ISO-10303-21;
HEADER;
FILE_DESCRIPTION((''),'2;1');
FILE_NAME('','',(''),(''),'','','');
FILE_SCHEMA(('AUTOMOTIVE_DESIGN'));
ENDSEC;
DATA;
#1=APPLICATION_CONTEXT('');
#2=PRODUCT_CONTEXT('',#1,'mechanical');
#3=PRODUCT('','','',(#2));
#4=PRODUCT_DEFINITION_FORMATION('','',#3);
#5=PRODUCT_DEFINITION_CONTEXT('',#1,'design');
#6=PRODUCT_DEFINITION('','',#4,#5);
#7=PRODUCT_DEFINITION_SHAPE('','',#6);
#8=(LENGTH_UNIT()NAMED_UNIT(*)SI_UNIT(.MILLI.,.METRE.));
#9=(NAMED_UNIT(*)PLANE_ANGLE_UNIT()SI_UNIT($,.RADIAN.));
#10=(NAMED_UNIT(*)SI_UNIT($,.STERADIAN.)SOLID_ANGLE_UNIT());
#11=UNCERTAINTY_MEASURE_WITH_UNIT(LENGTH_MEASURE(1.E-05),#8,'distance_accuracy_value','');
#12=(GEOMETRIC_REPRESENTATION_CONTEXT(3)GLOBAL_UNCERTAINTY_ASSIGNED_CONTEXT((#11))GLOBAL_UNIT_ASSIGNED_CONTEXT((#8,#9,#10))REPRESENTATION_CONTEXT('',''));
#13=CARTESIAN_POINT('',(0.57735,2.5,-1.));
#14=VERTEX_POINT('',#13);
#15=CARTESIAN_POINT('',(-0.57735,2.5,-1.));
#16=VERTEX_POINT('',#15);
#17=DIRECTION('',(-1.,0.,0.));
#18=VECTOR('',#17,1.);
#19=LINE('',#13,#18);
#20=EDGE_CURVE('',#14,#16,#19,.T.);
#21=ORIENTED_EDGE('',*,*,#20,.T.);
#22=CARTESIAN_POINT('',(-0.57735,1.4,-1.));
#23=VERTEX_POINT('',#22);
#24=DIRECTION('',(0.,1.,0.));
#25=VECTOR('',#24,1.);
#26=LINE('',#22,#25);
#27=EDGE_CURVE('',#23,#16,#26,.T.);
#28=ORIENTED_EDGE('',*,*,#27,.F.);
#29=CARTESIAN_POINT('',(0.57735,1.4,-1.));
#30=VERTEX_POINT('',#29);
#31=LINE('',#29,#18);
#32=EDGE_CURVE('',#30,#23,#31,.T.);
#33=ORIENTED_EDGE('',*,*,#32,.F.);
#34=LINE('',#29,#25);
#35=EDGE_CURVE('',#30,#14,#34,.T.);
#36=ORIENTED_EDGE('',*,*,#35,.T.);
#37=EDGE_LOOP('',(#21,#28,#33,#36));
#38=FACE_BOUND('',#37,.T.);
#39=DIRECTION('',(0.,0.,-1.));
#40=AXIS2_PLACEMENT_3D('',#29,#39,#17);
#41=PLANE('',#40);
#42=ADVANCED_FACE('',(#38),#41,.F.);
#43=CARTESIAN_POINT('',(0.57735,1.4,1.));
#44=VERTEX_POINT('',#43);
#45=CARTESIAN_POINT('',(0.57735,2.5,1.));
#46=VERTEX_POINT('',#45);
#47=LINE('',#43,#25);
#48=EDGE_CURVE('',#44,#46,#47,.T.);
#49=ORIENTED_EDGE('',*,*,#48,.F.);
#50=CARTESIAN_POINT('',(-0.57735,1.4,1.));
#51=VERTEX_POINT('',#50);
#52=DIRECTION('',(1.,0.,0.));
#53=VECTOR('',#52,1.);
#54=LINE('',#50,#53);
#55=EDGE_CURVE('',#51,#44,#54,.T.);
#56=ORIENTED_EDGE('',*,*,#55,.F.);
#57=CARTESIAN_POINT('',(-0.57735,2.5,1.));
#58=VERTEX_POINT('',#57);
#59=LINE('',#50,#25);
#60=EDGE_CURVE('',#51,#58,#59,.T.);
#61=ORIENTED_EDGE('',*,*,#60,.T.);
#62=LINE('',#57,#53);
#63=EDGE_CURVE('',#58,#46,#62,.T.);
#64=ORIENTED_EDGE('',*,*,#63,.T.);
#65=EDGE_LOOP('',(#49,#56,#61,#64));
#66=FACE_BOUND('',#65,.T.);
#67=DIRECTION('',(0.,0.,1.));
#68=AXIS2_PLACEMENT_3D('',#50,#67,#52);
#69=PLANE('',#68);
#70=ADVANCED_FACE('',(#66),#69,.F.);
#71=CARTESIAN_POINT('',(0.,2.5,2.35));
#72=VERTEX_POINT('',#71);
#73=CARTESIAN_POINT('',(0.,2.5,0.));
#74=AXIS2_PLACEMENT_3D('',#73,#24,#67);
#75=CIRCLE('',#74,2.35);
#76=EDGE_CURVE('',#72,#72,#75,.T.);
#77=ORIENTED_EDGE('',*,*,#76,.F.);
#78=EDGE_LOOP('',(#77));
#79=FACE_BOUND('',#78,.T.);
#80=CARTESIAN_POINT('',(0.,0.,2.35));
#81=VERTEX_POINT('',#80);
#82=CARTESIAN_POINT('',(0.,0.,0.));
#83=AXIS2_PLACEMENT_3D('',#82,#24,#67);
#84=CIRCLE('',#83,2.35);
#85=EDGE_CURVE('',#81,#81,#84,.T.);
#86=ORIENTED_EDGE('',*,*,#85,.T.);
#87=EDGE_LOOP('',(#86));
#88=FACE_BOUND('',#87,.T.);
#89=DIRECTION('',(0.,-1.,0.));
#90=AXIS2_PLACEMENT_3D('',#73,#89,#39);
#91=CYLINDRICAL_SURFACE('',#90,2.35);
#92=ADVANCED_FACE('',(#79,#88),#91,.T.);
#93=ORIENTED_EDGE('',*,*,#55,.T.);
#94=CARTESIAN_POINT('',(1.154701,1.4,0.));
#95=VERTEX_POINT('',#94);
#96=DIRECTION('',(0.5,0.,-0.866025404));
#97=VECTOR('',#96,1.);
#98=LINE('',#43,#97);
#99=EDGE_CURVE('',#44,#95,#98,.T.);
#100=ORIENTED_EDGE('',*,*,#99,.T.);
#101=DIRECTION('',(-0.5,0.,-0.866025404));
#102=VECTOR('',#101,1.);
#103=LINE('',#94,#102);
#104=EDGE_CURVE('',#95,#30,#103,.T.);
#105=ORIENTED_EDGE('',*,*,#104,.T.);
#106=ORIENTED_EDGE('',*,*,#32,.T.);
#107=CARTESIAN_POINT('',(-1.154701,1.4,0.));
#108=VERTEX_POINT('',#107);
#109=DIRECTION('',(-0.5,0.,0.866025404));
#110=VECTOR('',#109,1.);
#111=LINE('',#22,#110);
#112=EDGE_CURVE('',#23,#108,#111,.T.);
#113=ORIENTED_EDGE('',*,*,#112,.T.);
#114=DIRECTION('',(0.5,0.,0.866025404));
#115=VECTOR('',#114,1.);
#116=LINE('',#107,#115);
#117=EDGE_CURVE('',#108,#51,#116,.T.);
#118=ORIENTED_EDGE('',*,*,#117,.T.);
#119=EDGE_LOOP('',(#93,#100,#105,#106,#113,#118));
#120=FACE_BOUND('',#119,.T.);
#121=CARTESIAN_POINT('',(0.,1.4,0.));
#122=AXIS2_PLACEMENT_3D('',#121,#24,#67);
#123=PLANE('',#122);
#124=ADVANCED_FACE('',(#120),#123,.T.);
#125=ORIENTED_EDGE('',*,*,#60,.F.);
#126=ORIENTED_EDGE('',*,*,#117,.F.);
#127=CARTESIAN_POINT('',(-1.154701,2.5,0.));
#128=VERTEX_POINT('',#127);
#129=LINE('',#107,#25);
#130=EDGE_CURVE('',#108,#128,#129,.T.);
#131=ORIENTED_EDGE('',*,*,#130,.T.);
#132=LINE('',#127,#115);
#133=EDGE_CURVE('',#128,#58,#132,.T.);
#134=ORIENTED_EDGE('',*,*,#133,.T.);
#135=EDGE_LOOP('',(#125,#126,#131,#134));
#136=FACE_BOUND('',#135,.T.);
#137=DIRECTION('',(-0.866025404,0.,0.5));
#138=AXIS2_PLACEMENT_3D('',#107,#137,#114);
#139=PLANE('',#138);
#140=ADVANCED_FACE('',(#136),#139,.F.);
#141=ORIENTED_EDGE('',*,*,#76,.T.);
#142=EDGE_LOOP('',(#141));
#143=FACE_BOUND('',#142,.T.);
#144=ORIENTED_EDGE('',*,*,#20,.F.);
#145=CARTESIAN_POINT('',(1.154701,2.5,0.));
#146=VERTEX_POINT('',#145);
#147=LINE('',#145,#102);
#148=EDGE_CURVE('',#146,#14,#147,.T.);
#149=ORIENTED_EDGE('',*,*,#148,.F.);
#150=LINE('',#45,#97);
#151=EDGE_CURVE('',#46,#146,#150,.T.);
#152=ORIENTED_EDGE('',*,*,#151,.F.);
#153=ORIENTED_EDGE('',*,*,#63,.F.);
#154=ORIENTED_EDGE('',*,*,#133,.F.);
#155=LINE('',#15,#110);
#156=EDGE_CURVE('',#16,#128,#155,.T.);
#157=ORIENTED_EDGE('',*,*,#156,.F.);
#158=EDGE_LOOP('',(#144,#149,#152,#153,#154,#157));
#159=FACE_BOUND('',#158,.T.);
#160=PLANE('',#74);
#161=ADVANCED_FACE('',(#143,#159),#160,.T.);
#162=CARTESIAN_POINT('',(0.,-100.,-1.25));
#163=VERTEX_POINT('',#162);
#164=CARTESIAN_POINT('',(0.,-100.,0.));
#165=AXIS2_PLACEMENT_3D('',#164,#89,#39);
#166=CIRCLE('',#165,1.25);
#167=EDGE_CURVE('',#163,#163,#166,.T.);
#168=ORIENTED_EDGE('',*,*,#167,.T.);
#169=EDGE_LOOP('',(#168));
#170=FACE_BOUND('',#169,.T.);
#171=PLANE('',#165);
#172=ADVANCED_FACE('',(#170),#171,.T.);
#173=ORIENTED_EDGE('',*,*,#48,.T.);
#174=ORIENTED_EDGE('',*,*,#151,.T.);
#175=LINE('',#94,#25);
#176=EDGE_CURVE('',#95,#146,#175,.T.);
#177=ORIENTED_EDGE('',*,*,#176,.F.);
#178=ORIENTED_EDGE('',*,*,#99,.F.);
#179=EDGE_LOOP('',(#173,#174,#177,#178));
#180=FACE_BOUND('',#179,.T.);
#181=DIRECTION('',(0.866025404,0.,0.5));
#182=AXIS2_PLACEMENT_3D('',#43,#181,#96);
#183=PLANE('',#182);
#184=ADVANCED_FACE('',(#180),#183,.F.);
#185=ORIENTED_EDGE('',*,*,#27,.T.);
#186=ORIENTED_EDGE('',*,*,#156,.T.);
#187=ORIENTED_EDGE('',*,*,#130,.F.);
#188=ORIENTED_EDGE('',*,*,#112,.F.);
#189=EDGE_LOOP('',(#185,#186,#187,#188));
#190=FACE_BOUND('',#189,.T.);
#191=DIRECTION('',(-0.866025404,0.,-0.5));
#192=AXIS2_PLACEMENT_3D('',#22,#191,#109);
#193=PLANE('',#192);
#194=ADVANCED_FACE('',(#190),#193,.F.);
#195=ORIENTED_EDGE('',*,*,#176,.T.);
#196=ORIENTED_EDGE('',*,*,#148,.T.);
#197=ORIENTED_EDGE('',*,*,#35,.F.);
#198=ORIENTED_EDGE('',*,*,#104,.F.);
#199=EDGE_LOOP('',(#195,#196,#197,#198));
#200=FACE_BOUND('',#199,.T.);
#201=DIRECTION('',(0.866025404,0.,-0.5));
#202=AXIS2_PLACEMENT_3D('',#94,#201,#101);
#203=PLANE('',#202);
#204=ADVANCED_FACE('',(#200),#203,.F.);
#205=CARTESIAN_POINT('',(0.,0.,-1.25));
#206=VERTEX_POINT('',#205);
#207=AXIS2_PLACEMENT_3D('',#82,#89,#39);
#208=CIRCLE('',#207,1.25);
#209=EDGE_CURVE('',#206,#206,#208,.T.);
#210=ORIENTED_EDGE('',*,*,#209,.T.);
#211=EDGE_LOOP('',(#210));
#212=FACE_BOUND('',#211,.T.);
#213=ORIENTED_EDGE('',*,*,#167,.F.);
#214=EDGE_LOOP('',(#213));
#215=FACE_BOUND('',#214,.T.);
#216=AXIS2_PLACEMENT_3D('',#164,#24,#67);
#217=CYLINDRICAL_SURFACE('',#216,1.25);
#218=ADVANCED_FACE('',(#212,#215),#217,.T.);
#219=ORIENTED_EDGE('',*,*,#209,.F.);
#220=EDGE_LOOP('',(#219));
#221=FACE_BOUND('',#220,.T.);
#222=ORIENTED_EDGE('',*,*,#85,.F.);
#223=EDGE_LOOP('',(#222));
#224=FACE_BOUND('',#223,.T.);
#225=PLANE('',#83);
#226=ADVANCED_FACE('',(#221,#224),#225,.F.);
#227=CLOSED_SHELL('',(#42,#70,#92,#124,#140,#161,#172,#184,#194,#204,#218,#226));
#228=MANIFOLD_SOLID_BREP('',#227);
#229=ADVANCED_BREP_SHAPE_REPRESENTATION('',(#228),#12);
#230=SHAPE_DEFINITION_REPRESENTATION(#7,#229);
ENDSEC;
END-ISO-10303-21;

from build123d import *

# Parameters (mm, degrees)
SKETCH_1_R            = 2.35
EXTRUDE_248_DEPTH     = 2.5
CUT_EXTRUDE_382_DEPTH = 1.1
SKETCH_3_R            = 1.25
EXTRUDE_487_DEPTH     = 100


with BuildPart() as part:
    # 草图1 → Extrude 248 (new body)
    with BuildSketch(Plane(origin=(0, 0, 0), x_dir=(1, 0, 0), z_dir=(0, 1, 0))):
        Circle(SKETCH_1_R)
    extrude(amount=EXTRUDE_248_DEPTH)

    # 草图2 → Cut-Extrude 382 (cut)
    with BuildSketch(Plane(origin=(0, 2.5, 0), x_dir=(1, 0, 0), z_dir=(0, 1, 0))):
        Polygon((1.154700538, 0), (0.577350269, 1), (-0.577350269, 1), (-1.154700538, 0), (-0.577350269, -1), (0.577350269, -1), align=None)
    extrude(amount=-CUT_EXTRUDE_382_DEPTH, mode=Mode.SUBTRACT)

    # 草图3 → Extrude 487 (add)
    with BuildSketch(Plane.XZ):
        Circle(SKETCH_3_R)
    extrude(amount=EXTRUDE_487_DEPTH)


solid = part.part
